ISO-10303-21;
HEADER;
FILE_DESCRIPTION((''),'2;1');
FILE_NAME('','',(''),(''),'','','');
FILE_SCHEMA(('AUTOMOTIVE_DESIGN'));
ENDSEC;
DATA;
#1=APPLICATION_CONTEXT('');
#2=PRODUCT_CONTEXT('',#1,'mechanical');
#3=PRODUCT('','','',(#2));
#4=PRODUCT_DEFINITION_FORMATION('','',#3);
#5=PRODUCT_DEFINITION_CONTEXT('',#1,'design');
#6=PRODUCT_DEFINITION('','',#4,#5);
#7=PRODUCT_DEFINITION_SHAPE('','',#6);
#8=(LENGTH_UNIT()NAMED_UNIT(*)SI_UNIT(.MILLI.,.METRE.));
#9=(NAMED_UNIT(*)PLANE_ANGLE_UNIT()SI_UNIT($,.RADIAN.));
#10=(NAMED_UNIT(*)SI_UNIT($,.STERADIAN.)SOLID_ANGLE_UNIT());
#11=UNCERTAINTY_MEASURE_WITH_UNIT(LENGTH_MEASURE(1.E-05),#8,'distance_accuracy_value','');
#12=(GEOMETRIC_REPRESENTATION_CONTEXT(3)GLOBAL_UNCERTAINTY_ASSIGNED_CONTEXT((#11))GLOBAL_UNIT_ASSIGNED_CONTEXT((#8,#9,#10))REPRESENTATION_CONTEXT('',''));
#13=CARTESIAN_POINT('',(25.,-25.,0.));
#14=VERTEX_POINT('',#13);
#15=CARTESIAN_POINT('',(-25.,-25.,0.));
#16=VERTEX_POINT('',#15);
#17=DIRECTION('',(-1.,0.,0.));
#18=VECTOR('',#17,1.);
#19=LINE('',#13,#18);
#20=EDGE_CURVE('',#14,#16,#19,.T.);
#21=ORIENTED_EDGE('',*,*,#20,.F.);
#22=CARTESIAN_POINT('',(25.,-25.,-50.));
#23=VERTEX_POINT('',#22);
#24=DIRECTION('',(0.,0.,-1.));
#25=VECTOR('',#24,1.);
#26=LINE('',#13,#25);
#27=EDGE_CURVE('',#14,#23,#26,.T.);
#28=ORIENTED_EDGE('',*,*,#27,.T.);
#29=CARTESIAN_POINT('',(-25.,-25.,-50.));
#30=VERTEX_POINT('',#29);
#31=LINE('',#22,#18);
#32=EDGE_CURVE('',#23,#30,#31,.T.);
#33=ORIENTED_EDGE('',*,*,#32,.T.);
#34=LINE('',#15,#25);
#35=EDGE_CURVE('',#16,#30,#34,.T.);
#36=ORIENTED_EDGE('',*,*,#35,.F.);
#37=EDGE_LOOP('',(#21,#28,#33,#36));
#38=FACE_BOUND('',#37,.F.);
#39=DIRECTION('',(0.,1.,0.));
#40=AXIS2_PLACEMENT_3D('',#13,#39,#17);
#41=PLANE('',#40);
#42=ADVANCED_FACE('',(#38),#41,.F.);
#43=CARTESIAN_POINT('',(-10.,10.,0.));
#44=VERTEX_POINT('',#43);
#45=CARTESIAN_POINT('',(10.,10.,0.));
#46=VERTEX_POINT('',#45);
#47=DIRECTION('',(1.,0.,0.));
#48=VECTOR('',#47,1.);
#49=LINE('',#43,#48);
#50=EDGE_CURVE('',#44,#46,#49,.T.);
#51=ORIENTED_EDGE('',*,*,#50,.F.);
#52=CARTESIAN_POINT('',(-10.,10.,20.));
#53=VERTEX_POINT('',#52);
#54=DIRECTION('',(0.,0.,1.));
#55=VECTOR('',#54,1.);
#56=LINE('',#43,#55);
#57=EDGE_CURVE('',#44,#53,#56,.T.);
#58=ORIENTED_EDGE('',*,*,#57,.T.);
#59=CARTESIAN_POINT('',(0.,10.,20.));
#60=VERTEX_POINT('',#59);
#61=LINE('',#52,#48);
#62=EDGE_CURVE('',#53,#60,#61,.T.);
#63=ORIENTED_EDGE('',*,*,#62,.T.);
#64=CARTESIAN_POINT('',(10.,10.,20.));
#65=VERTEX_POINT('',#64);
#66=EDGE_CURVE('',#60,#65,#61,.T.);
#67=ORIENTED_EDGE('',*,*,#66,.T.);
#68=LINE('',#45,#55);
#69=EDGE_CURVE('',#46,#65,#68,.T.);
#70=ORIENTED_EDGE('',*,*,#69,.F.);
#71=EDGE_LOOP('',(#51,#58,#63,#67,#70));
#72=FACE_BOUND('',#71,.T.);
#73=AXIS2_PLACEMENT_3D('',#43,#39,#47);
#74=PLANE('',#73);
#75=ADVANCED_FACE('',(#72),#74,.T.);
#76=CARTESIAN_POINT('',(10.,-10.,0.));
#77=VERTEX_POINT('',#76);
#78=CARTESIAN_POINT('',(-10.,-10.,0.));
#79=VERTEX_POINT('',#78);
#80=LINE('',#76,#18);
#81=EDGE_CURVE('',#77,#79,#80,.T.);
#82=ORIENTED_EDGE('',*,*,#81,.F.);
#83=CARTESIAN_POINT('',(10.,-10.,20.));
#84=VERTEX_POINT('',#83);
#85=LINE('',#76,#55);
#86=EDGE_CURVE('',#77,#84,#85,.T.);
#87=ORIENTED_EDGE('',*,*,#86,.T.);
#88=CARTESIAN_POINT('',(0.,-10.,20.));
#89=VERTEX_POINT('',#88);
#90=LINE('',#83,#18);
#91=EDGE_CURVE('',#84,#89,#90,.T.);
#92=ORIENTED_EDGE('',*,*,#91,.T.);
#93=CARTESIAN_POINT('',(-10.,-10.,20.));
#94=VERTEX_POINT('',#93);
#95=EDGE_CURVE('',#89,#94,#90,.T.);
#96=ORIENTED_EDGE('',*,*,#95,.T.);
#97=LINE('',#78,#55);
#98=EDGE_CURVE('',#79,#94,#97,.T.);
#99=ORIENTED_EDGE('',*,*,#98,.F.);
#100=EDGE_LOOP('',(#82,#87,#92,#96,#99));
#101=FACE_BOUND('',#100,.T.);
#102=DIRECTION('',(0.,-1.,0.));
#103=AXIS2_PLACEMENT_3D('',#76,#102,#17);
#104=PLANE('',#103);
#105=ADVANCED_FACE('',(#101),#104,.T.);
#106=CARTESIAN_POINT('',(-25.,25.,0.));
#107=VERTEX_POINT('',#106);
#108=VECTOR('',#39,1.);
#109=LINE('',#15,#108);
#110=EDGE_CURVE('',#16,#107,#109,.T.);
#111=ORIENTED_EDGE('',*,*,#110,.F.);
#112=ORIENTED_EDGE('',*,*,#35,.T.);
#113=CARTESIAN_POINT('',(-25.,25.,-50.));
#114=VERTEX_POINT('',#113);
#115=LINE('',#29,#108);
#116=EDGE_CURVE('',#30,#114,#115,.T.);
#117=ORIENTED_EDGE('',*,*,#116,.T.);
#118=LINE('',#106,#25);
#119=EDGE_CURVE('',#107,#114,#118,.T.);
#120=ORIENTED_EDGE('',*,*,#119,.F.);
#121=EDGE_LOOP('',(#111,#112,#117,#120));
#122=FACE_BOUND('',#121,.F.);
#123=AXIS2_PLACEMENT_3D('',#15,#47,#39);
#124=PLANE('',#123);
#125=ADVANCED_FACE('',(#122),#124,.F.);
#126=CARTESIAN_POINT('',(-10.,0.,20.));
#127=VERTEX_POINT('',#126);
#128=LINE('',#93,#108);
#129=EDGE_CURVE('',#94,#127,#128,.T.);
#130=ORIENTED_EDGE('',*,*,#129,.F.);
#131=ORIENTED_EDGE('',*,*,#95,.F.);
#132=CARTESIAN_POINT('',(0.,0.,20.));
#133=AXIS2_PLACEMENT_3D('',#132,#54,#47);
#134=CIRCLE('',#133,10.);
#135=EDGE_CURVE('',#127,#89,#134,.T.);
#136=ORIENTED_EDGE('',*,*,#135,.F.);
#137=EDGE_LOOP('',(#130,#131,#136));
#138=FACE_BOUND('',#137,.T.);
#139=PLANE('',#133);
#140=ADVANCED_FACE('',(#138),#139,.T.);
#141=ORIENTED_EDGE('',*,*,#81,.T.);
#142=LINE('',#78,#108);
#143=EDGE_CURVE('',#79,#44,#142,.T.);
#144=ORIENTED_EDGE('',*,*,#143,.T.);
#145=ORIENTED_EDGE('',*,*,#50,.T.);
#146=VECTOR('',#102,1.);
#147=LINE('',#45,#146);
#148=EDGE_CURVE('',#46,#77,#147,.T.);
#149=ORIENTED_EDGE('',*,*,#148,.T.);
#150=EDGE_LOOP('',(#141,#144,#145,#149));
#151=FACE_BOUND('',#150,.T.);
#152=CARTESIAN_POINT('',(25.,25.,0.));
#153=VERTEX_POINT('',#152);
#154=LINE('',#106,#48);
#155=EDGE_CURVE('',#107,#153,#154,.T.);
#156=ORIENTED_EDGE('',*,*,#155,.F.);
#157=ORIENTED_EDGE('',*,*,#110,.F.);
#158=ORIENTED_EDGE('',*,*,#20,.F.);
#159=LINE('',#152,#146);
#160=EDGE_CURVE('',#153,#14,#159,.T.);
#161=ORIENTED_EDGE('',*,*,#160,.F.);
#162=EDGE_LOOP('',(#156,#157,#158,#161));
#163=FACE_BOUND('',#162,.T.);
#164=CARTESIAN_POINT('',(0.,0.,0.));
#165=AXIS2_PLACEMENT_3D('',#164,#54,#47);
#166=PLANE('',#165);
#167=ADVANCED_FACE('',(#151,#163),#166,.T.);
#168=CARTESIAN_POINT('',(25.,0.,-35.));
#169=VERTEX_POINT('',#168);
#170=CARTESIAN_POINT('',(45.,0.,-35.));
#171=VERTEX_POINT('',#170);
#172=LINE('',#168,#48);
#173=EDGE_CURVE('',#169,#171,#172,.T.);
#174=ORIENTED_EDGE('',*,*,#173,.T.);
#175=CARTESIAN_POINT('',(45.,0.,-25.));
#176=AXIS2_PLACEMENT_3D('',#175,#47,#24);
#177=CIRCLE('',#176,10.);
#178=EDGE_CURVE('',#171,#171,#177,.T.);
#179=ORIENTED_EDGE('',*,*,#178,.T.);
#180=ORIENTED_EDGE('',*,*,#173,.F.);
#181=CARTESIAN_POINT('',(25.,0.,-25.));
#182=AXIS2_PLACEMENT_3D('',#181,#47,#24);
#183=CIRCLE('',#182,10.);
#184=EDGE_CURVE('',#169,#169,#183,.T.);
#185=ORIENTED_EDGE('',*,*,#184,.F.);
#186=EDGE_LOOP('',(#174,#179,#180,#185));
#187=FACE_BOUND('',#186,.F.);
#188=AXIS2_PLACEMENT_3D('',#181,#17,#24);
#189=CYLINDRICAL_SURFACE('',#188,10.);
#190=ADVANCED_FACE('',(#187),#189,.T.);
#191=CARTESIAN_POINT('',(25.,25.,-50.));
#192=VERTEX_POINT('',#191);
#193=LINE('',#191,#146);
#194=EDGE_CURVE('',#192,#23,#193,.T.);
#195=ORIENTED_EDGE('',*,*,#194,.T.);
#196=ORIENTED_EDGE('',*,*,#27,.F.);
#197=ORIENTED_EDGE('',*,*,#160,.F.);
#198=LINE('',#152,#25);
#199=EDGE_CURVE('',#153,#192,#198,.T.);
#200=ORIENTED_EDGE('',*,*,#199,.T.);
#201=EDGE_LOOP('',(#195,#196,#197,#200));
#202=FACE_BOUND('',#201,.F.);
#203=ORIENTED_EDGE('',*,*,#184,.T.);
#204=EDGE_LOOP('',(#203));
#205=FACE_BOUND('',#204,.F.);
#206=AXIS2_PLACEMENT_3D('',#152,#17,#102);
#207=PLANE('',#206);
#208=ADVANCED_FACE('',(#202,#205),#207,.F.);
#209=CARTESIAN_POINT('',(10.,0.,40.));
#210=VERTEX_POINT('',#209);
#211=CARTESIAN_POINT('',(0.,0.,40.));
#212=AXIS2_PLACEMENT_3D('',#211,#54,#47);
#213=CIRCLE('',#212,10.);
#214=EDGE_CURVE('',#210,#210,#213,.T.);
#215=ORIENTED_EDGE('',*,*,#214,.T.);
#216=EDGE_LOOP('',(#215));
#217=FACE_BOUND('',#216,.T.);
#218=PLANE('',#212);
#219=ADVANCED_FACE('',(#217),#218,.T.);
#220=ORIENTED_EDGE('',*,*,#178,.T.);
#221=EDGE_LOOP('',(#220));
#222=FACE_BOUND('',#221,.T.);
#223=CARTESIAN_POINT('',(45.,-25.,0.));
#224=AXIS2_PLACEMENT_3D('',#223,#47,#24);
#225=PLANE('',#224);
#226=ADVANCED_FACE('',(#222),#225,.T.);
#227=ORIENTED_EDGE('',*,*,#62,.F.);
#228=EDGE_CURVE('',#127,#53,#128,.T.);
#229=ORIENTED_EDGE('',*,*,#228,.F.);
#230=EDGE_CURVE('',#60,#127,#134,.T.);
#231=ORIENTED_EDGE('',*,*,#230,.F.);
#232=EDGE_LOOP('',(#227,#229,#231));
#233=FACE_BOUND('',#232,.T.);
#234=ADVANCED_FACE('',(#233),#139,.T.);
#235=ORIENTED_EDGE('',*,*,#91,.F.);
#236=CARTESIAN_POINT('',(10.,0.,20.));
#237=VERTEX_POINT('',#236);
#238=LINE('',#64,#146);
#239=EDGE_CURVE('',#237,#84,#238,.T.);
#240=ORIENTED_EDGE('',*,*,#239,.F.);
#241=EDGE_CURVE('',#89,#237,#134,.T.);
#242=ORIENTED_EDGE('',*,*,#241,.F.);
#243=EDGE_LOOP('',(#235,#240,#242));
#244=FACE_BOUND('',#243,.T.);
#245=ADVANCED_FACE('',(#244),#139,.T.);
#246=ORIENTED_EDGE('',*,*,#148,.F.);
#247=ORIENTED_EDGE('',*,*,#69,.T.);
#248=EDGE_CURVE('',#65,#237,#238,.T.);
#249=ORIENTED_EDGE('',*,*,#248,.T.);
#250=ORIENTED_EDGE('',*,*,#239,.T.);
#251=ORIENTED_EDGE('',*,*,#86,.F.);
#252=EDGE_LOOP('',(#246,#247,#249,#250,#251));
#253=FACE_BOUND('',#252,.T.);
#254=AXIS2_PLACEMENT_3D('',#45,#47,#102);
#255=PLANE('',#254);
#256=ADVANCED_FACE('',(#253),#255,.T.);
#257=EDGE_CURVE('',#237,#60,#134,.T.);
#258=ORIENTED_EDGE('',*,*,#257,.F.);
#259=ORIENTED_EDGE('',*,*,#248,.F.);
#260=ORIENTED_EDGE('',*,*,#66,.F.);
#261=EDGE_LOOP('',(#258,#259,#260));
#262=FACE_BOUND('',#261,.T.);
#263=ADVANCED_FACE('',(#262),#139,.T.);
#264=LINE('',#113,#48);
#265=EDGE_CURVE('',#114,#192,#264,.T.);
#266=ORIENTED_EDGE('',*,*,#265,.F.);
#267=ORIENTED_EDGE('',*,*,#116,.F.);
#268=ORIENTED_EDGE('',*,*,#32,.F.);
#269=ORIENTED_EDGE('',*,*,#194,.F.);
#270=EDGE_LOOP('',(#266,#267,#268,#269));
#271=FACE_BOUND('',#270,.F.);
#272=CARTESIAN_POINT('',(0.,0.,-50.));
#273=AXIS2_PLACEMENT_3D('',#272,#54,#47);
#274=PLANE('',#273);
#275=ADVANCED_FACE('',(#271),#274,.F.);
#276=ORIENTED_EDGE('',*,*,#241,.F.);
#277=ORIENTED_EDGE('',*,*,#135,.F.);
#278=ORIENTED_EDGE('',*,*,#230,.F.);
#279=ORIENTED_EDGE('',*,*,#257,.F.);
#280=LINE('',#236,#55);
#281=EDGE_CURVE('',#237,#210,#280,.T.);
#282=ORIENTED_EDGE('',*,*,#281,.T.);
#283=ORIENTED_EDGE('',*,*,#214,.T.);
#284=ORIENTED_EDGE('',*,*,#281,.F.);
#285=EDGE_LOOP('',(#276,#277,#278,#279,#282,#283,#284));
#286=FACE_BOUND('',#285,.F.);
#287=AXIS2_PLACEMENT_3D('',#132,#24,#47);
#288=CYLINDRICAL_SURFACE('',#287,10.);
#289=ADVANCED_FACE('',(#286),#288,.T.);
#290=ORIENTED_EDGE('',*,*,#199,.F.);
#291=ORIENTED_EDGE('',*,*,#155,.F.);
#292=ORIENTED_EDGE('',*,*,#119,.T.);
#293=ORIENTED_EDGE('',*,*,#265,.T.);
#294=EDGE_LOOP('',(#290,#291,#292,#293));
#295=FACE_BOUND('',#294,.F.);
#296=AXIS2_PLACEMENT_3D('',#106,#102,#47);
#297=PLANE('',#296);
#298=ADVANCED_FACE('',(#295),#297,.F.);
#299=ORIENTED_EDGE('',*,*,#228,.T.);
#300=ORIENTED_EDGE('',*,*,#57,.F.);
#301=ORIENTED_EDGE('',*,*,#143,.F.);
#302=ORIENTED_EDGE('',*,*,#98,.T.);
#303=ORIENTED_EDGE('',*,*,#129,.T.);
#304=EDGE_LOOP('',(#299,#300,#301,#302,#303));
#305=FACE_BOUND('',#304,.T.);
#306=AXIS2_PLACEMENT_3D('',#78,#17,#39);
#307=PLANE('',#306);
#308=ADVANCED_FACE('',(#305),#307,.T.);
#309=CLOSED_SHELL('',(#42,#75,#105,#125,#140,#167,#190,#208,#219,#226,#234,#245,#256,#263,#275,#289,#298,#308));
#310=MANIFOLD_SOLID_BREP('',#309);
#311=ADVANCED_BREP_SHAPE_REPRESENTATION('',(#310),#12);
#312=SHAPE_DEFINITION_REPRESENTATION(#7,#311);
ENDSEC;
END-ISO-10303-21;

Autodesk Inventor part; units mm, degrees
ref_plane "YZ Plane" through (0, 0, 0) normal (1, 0, 0) x (0, 1, 0)
ref_plane "XZ Plane" through (0, 0, 0) normal (0, 1, 0) x (-1, 0, 0)
ref_plane "XY Plane" through (0, 0, 0) normal (0, 0, 1) x (1, 0, 0)
sketch "Sketch1" plane through (0, 0, 0) normal (0, 0, 1) x (1, 0, 0)
  line L0 (-25, 25) -> (25, 25)
  line L1 (25, 25) -> (25, -25)
  line L2 (25, -25) -> (-25, -25)
  line L3 (-25, -25) -> (-25, 25)
  point P0 (0, 0)
  point P1 (-25, 0)
  point P2 (0, 25)
  dimension "d0" = 50
  dimension "d1" = 50
extrude "Extrusion1" add sketch "Sketch1" against normal blind 50
sketch "Sketch2" plane through (0, 0, 0) normal (0, 0, 1) x (1, 0, 0)
  line L0 (-10, 10) -> (10, 10)
  line L1 (10, 10) -> (10, -10)
  line L2 (10, -10) -> (-10, -10)
  line L3 (-10, -10) -> (-10, 10)
  point P0 (0, 0)
  point P1 (-10, 0)
  point P2 (0, 10)
  dimension "d4" = 20
  dimension "d5" = 20
extrude "Extrusion2" add sketch "Sketch2" along normal blind 20
sketch "Sketch3" plane through (0, 0, 20) normal (0, 0, 1) x (1, 0, 0)
  line L0 (10, 10) -> (10, -10) projected
  circle A0 centre (0, 0) radius 10
extrude "Extrusion3" add sketch "Sketch3" along normal blind 20
sketch "Sketch4" plane through (25, -25, 0) normal (1, 0, 0) x (0, 0, -1)
  line L0 (50, 0) -> (50, 50) projected
  line L1 (0, 50) -> (50, 50) projected
  circle A0 centre (25, 25) radius 10
  point P0 (0, 25)
  point P1 (50, 25)
  point P2 (25, 50)
  dimension "d10" = 20
extrude "Extrusion4" add sketch "Sketch4" along normal blind 20
properties part number "cubo 2"
